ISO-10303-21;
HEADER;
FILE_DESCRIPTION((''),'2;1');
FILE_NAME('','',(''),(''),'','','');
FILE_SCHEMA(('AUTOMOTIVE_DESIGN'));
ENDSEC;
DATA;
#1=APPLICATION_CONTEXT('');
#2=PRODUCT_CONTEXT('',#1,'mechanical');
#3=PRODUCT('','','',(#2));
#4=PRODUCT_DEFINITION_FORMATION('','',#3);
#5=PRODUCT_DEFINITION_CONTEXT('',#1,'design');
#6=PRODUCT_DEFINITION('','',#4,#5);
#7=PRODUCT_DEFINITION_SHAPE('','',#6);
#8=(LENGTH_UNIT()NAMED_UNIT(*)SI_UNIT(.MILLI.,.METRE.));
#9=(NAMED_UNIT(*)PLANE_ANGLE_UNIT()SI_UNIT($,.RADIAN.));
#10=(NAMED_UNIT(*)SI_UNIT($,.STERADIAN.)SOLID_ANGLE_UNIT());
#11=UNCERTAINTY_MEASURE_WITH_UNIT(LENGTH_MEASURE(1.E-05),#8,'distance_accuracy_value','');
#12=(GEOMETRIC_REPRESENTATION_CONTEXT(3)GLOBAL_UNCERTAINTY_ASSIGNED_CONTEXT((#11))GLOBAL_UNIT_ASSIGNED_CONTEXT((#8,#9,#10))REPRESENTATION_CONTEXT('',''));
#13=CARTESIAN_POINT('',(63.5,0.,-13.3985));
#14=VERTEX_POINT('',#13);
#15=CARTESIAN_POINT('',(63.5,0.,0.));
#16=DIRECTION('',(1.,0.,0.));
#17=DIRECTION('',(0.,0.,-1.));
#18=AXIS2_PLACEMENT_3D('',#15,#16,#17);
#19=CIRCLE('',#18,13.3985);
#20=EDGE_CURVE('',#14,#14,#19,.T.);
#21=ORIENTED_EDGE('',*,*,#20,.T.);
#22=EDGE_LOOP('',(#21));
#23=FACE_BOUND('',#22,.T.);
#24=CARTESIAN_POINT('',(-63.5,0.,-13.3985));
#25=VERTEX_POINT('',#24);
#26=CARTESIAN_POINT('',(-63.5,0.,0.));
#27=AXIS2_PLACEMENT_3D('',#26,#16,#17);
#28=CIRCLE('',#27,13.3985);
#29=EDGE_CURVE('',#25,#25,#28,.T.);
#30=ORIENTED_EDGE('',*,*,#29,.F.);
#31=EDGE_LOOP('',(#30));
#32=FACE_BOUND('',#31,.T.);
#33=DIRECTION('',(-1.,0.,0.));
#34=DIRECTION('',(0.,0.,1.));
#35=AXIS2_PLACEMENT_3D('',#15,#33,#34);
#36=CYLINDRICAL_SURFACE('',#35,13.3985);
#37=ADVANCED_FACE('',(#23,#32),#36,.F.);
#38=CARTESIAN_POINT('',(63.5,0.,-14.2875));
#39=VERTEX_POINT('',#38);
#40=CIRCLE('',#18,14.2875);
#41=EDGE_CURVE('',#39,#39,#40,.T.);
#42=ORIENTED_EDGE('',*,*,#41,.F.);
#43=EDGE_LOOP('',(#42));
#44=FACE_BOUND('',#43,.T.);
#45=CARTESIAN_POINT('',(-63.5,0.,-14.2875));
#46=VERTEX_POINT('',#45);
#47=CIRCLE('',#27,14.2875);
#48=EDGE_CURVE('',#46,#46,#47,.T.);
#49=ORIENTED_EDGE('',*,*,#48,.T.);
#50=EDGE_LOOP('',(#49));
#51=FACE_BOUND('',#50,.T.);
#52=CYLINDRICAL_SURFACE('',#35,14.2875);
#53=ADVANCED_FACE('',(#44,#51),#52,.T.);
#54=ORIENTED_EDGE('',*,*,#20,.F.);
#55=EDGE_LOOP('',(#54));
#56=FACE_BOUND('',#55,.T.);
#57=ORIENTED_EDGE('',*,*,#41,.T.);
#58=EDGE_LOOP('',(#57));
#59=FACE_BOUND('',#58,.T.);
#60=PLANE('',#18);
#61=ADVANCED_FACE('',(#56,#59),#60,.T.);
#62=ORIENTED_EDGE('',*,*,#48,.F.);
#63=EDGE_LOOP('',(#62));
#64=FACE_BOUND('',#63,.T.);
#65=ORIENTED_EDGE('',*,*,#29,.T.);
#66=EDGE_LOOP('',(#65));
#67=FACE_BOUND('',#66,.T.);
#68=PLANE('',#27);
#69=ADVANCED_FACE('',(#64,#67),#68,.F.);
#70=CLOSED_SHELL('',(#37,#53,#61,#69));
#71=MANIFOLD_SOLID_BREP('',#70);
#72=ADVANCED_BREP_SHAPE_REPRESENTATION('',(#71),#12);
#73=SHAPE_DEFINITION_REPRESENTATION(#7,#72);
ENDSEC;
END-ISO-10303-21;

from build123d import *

# Parameters (mm, degrees)
SKETCH1_R           = 14.2875
SKETCH1_R_2         = 13.3985
BOSS_EXTRUDE1_DEPTH = 63.5


with BuildPart() as part:
    # Sketch1 → Boss-Extrude1 (new, symmetric)
    with BuildSketch(Plane(origin=(0, 0, 0), x_dir=(0, 0, -1), z_dir=(1, 0, 0))):
        Circle(SKETCH1_R)
        Circle(SKETCH1_R_2, mode=Mode.SUBTRACT)
    extrude(amount=BOSS_EXTRUDE1_DEPTH, both=True)


solid = part.part
